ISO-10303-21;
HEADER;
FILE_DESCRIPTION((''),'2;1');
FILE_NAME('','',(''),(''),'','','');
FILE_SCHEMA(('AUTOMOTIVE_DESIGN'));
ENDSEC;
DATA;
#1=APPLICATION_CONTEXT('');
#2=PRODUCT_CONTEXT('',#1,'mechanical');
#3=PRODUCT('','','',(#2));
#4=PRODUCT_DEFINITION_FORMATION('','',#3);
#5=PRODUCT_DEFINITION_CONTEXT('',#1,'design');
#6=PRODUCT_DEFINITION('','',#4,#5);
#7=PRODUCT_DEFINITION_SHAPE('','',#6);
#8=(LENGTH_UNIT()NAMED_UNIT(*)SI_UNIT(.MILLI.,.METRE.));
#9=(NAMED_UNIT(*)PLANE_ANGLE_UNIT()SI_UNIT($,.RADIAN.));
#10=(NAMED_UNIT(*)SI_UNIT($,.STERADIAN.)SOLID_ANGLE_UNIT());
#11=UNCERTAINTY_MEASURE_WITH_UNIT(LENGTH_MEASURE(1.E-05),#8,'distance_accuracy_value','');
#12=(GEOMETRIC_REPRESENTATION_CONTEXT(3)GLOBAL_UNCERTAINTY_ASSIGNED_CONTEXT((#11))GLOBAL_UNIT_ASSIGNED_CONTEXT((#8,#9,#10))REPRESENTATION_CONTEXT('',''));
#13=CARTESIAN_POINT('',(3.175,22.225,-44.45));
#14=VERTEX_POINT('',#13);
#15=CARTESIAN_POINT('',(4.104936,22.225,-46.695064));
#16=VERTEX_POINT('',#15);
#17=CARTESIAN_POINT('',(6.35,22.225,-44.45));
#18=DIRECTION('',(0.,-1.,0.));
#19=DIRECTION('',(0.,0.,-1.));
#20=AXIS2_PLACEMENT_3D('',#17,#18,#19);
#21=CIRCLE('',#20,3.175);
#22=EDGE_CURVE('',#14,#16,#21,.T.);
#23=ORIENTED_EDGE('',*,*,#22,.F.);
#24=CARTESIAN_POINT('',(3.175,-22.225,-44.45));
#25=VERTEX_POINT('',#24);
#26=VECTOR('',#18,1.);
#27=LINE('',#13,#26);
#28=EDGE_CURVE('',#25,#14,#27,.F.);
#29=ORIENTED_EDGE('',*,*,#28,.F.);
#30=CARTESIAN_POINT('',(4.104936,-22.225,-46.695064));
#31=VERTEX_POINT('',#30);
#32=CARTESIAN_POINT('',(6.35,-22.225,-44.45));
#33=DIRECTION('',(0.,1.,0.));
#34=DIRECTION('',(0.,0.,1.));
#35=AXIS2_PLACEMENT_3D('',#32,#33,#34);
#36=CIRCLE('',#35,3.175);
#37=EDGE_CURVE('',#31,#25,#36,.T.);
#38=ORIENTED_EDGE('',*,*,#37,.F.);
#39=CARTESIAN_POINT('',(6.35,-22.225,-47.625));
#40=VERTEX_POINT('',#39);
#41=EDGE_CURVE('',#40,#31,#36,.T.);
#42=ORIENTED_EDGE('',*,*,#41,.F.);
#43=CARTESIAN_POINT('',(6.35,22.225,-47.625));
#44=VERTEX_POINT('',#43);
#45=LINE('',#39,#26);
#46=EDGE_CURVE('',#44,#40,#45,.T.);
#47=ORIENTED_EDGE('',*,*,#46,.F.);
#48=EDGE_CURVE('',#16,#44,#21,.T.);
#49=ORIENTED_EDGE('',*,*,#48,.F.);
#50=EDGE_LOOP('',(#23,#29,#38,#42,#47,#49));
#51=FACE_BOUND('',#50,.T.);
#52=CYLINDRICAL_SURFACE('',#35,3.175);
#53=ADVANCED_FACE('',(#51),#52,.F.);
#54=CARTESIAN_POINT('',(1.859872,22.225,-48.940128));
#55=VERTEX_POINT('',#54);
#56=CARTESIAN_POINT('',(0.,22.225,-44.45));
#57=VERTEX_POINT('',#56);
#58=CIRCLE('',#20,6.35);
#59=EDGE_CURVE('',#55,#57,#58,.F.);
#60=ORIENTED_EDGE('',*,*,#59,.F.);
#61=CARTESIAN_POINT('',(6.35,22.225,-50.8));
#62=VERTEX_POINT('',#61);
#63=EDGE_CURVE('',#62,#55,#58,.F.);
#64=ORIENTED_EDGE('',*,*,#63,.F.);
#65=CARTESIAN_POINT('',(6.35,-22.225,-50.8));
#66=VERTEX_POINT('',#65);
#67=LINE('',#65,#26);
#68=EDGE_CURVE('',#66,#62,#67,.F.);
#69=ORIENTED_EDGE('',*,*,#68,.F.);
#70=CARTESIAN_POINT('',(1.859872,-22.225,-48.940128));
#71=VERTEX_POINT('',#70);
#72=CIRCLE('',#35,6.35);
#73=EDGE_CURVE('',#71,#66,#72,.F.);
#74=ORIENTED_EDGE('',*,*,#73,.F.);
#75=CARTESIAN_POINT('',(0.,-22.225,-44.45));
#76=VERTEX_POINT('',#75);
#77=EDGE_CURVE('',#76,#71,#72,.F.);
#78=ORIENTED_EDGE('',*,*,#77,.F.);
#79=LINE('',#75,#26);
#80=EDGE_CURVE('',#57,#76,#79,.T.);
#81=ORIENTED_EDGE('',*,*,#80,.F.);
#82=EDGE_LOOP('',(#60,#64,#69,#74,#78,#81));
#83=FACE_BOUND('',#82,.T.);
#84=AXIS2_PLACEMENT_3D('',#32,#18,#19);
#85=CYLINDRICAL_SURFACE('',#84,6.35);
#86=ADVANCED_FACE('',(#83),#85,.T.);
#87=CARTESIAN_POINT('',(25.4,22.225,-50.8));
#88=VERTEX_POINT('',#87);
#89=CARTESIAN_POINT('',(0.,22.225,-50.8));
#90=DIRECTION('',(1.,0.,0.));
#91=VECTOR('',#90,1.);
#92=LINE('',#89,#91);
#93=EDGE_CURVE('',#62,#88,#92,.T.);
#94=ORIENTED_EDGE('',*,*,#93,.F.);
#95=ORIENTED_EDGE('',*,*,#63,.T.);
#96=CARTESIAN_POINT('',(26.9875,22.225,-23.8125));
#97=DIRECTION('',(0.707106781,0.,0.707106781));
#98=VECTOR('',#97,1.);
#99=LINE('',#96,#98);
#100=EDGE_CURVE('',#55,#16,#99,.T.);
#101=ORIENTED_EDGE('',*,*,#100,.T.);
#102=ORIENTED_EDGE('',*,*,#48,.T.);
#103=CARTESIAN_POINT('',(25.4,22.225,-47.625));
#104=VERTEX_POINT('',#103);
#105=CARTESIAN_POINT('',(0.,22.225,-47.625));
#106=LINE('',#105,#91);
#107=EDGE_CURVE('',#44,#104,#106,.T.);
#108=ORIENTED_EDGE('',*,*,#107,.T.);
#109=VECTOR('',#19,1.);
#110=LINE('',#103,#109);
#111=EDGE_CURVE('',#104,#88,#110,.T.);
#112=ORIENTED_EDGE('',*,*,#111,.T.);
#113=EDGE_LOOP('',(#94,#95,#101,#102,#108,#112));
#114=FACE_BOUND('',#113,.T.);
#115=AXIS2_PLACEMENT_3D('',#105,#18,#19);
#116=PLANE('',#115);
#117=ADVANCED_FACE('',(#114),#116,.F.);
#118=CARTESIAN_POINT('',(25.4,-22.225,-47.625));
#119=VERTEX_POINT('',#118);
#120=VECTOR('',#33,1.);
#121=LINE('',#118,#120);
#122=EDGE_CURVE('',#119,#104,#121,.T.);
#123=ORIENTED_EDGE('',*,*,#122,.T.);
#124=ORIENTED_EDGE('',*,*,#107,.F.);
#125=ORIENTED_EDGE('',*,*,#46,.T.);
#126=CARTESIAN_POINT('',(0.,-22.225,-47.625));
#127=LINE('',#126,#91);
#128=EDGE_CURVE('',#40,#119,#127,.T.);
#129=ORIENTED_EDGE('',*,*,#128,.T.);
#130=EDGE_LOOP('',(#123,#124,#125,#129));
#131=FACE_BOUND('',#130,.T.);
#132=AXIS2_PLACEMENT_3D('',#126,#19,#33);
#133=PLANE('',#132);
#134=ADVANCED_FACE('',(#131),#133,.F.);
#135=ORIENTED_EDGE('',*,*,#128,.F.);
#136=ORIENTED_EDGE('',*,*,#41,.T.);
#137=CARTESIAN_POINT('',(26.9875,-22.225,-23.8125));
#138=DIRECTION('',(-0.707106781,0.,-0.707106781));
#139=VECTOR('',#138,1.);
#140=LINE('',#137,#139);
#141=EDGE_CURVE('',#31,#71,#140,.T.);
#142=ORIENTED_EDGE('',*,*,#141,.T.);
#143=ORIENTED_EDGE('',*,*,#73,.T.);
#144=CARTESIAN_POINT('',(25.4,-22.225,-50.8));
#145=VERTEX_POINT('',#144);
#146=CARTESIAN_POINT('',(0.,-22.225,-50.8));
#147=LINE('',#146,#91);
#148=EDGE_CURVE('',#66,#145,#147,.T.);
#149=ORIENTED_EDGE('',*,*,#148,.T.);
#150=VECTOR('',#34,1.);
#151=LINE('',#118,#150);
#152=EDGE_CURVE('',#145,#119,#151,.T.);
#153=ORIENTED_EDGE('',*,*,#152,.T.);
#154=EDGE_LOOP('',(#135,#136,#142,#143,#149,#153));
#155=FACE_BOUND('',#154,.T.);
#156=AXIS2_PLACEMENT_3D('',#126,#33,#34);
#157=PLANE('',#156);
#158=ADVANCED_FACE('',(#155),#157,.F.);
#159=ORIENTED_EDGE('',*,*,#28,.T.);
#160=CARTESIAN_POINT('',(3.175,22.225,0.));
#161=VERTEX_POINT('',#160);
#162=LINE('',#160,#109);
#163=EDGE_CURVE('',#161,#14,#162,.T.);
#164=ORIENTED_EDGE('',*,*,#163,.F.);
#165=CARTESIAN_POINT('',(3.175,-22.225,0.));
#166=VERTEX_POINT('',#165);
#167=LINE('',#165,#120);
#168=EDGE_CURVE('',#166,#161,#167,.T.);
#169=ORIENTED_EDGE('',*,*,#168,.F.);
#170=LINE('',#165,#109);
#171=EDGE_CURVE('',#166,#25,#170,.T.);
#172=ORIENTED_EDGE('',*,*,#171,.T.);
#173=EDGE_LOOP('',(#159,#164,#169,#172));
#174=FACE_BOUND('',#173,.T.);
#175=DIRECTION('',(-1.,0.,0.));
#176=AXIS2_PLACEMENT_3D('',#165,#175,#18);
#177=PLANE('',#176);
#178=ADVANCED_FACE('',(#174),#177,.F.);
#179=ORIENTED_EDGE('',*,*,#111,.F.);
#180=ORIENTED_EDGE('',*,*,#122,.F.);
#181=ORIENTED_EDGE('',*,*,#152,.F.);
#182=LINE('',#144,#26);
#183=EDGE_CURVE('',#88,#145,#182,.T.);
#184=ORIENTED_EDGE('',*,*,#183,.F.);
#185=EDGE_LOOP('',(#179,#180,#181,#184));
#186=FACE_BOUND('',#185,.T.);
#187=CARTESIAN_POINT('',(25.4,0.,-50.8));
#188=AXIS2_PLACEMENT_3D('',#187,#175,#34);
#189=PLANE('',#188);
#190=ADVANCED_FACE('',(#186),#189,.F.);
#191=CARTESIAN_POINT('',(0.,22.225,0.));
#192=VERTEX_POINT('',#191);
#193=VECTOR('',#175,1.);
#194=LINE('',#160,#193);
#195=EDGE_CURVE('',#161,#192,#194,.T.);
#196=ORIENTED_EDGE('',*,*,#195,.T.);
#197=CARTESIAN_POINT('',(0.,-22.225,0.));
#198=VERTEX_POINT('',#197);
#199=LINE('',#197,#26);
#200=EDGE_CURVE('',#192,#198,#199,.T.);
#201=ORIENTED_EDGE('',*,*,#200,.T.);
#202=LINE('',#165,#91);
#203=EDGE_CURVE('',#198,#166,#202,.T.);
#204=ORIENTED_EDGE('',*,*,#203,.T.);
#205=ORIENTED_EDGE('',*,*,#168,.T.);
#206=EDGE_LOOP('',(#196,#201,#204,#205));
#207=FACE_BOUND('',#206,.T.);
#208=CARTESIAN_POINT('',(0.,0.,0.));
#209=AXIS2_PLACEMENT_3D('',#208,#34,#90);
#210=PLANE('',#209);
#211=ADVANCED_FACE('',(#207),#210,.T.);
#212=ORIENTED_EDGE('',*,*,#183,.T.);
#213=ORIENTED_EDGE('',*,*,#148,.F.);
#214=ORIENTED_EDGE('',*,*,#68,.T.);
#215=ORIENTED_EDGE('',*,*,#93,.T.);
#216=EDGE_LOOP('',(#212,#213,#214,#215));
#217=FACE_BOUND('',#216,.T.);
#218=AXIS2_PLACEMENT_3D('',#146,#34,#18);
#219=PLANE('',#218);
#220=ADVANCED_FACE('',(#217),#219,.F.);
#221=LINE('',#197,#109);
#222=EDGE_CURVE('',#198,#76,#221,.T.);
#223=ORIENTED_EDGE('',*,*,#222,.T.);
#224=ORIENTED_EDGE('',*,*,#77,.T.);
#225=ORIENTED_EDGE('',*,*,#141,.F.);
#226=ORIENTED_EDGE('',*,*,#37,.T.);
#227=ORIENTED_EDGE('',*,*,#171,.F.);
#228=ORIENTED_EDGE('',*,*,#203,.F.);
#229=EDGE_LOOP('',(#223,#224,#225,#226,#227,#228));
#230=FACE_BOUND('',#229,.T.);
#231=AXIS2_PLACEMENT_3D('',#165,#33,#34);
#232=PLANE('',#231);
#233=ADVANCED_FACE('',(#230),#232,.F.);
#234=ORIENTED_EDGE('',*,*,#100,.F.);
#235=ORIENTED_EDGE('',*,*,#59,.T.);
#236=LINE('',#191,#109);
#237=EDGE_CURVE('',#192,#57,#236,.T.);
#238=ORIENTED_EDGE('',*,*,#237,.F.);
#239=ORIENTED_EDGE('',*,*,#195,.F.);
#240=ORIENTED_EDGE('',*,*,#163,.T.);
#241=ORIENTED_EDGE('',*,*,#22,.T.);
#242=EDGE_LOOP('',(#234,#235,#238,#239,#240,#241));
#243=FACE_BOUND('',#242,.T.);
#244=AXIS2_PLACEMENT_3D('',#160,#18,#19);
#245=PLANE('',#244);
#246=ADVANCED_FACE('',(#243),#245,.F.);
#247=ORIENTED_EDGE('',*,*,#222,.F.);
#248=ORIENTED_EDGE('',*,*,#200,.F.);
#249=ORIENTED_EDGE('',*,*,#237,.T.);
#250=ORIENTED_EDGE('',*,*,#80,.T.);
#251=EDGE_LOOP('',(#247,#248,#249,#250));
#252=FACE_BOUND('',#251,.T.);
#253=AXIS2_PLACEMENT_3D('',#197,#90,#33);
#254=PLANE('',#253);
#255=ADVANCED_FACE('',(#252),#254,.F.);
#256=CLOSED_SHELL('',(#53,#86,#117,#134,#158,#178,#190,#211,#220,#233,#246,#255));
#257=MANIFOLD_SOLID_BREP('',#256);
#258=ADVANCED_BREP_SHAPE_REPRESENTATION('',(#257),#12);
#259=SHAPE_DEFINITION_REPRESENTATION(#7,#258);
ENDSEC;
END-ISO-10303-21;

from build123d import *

# Parameters (mm, degrees)
SKETCH3_W = 3.175
SKETCH3_H = 44.45
FILLET1_R = 3.175
FILLET2_R = 6.35


with BuildPart() as part:
    # Sweep1: sweep along a path in Sketch4
    with BuildLine(Plane(origin=(0, 0, 0), x_dir=(1, 0, 0), z_dir=(0, 1, 0))) as sweep1_path:
        Line((0, 0), (0, 50.8))
        Line((0, 50.8), (25.4, 50.8))
    # Sketch3 → Sweep1 (sweep)
    with BuildSketch(Plane.XY):
        with Locations((1.5875, 0)):
            Rectangle(SKETCH3_W, SKETCH3_H)
    sweep(path=sweep1_path.line, transition=Transition.RIGHT)

    # Fillet1
    fillet1_edges = [part.edges().sort_by_distance(p)[0] for p in [
        (3.175, 0, -47.625),
    ]]
    fillet(fillet1_edges, radius=FILLET1_R)

    # Fillet2
    fillet2_edges = [part.edges().sort_by_distance(p)[0] for p in [
        (0, 0, -50.8),
    ]]
    fillet(fillet2_edges, radius=FILLET2_R)


solid = part.part
